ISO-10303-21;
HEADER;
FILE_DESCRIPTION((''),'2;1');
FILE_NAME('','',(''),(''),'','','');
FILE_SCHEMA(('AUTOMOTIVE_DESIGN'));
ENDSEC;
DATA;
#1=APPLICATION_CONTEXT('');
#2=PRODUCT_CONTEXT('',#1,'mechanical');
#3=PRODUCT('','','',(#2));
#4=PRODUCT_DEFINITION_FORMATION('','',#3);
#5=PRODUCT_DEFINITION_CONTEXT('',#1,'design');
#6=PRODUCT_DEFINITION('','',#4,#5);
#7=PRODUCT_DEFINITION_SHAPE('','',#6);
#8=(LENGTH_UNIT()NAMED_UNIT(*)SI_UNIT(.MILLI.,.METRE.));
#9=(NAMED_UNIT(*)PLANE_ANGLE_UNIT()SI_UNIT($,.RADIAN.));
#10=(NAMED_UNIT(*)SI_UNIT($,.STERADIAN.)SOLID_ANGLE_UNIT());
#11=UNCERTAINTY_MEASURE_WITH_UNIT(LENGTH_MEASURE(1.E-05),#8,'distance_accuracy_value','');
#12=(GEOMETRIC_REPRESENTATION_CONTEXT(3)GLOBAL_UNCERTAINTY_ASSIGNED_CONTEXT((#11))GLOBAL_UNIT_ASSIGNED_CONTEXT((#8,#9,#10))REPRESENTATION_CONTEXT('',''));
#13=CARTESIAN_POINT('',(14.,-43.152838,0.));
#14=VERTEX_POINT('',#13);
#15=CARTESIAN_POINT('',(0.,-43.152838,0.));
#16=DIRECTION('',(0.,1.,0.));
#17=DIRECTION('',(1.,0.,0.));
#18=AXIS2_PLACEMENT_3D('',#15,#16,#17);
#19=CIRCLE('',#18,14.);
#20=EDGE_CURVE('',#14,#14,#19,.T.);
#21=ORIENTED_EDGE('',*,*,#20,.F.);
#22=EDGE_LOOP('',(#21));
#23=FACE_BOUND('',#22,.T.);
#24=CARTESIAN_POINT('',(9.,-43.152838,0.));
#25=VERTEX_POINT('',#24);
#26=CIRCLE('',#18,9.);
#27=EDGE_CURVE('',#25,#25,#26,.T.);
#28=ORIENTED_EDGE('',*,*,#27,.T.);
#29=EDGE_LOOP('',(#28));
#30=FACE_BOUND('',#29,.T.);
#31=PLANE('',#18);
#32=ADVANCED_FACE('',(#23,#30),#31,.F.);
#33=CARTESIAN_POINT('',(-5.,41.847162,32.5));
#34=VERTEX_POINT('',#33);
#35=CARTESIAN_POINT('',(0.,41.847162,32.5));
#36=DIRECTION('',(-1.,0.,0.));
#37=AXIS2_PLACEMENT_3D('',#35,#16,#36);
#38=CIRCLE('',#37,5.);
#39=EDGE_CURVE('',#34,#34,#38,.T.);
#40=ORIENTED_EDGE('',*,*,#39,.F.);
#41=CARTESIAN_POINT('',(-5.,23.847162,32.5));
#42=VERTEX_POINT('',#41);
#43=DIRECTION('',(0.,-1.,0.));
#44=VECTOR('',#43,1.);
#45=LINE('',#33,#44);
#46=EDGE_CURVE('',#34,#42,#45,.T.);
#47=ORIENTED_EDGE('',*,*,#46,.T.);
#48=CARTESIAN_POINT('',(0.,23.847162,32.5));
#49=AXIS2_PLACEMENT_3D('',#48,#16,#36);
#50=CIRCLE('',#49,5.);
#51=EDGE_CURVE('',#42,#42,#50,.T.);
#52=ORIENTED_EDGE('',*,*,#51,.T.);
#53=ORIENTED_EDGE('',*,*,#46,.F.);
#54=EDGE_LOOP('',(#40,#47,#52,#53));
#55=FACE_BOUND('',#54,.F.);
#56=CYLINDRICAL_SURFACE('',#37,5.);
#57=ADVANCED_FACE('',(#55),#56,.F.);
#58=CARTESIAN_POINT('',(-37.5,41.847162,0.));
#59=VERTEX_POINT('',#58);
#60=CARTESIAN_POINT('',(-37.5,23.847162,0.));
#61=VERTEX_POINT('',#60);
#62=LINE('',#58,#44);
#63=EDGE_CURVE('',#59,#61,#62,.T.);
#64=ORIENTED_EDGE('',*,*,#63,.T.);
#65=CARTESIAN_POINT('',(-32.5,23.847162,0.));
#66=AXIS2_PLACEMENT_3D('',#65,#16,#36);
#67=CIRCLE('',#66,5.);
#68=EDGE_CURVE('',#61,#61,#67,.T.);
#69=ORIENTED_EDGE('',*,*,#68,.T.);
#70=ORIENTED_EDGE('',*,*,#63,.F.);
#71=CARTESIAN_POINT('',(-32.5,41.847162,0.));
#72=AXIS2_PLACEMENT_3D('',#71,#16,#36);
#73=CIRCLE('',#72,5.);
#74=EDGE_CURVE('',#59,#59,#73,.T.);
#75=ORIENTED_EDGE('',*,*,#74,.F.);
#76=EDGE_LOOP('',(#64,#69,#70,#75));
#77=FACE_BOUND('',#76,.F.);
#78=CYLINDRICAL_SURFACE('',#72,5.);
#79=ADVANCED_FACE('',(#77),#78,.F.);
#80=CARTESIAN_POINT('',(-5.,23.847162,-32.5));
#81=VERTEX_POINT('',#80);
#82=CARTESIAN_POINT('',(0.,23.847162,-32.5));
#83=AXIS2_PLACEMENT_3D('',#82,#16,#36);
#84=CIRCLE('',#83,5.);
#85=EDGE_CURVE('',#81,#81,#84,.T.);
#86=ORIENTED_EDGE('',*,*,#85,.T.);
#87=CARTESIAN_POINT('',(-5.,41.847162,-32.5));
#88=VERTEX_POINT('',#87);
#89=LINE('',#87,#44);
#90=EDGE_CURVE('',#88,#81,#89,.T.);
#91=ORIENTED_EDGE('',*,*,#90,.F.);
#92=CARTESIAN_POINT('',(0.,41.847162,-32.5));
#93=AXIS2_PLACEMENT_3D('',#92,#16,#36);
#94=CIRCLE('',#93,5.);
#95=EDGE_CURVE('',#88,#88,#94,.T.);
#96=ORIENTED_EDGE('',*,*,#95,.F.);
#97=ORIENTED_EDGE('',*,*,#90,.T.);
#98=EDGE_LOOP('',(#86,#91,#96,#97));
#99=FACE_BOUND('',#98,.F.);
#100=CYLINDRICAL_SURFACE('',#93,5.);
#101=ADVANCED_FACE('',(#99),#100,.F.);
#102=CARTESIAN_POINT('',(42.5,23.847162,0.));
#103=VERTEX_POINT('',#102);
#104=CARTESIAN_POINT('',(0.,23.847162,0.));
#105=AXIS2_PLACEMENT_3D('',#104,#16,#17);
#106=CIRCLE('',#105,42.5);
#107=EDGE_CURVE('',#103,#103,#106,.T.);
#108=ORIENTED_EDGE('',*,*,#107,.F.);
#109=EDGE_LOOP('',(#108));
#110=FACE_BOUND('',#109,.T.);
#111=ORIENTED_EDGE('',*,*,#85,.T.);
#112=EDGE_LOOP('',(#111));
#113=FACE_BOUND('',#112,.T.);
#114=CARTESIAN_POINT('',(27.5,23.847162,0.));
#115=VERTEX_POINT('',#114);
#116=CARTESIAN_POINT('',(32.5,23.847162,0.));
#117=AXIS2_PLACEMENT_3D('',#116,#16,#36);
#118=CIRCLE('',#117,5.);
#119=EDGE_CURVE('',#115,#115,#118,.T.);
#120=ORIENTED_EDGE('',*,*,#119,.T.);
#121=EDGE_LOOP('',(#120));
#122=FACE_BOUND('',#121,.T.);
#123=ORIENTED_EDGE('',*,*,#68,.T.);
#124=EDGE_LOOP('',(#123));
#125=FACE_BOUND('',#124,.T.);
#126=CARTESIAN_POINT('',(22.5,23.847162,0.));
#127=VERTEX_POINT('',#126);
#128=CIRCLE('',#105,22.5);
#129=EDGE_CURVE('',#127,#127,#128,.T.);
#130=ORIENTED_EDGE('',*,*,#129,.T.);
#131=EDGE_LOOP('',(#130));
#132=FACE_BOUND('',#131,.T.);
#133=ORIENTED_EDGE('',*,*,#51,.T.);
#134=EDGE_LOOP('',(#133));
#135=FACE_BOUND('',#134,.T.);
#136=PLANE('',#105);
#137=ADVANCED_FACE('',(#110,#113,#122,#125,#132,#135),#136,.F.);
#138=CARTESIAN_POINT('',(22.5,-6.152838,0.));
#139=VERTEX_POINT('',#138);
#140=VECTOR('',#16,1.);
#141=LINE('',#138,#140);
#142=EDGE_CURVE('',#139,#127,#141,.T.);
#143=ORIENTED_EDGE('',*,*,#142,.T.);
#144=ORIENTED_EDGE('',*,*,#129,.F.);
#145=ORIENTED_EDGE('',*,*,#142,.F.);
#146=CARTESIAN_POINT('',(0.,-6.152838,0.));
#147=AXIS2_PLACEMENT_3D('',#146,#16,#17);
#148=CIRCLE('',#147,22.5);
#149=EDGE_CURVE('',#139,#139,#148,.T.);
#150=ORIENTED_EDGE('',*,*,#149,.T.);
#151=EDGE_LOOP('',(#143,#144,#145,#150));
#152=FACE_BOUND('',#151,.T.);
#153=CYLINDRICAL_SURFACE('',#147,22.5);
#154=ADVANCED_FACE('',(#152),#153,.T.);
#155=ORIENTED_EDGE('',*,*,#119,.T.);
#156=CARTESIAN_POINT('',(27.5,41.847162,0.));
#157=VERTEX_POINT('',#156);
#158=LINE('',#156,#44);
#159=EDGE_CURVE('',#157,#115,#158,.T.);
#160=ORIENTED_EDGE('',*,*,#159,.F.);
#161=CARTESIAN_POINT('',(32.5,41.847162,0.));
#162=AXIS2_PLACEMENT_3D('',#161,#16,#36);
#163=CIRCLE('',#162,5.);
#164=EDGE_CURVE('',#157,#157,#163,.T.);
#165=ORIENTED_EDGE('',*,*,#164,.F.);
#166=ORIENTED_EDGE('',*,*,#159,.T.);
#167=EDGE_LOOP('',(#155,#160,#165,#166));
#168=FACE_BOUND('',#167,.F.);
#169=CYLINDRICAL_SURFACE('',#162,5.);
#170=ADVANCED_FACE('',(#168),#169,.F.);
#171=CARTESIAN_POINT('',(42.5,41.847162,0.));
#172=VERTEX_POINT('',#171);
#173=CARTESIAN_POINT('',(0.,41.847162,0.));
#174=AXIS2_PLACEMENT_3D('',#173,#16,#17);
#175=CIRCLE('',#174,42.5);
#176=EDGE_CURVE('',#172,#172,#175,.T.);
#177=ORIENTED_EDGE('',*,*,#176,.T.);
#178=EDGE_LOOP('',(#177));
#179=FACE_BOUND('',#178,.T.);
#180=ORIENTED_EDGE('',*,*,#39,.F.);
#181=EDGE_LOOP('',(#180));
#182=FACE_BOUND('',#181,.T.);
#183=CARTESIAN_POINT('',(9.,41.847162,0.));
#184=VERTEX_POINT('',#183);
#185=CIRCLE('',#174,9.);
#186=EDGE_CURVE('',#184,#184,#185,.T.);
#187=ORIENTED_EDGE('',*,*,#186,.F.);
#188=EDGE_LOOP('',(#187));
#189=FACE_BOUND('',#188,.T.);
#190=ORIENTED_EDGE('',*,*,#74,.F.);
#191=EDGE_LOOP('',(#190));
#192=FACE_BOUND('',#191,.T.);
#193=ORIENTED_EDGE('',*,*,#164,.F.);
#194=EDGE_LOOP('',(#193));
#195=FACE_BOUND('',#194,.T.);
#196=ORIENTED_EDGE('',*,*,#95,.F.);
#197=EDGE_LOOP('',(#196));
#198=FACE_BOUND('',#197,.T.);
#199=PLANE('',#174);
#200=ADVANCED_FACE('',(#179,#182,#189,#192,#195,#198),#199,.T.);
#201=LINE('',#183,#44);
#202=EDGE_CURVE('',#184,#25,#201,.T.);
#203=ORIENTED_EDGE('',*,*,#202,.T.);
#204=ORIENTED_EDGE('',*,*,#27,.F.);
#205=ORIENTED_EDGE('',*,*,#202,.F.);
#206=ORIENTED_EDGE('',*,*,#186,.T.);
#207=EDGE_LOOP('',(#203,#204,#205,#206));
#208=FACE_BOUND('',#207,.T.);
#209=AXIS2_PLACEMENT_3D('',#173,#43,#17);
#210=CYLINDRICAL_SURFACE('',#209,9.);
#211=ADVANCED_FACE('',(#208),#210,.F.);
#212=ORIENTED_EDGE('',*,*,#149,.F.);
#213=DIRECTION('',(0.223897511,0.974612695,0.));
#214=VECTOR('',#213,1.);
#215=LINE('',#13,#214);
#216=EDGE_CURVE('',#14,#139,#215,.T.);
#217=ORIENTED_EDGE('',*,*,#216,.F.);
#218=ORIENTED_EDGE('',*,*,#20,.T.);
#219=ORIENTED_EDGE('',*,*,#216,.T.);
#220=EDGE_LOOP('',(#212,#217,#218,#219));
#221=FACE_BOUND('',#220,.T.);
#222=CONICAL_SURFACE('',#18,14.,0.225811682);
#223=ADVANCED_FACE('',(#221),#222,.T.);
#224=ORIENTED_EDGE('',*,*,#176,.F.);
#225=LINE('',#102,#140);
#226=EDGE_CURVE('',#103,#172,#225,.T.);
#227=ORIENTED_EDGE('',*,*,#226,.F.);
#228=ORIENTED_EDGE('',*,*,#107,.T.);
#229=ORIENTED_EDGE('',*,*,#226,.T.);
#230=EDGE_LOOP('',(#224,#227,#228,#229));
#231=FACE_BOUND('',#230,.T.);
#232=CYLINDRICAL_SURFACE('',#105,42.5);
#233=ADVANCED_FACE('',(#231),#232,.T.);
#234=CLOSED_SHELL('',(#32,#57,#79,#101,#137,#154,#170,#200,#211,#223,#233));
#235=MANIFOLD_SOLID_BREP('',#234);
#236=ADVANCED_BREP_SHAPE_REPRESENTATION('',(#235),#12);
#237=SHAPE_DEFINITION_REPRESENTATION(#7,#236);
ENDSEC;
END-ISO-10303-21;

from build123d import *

# Parameters (mm, degrees)
F2_R     = 5
F3_DEPTH = 85.001


with BuildPart() as f1:
    # F0 (on Top) → F1 (revolve)
    with BuildSketch(Plane.XY):
        Polygon((9, 41.847162), (9, -43.152838), (14, -43.152838), (22.5, -6.152838), (22.5, 23.847162), (42.5, 23.847162), (42.5, 41.847162), align=None)
    revolve(axis=Axis((0, 0.725804, 0), (0, 1, 0)))

    # F2 (on face) → F3 (cut, through all)
    with BuildSketch(Plane(origin=(0, 41.847162, 0), x_dir=(-1, 0, 0), z_dir=(0, 1, 0))):
        with Locations((-32.5, 0)):
            Circle(F2_R)
        with Locations((0, -32.5)):
            Circle(F2_R)
        with Locations((32.5, 0)):
            Circle(F2_R)
        with Locations((0, 32.5)):
            Circle(F2_R)
    extrude(amount=-F3_DEPTH, mode=Mode.SUBTRACT)


solid = f1.part
